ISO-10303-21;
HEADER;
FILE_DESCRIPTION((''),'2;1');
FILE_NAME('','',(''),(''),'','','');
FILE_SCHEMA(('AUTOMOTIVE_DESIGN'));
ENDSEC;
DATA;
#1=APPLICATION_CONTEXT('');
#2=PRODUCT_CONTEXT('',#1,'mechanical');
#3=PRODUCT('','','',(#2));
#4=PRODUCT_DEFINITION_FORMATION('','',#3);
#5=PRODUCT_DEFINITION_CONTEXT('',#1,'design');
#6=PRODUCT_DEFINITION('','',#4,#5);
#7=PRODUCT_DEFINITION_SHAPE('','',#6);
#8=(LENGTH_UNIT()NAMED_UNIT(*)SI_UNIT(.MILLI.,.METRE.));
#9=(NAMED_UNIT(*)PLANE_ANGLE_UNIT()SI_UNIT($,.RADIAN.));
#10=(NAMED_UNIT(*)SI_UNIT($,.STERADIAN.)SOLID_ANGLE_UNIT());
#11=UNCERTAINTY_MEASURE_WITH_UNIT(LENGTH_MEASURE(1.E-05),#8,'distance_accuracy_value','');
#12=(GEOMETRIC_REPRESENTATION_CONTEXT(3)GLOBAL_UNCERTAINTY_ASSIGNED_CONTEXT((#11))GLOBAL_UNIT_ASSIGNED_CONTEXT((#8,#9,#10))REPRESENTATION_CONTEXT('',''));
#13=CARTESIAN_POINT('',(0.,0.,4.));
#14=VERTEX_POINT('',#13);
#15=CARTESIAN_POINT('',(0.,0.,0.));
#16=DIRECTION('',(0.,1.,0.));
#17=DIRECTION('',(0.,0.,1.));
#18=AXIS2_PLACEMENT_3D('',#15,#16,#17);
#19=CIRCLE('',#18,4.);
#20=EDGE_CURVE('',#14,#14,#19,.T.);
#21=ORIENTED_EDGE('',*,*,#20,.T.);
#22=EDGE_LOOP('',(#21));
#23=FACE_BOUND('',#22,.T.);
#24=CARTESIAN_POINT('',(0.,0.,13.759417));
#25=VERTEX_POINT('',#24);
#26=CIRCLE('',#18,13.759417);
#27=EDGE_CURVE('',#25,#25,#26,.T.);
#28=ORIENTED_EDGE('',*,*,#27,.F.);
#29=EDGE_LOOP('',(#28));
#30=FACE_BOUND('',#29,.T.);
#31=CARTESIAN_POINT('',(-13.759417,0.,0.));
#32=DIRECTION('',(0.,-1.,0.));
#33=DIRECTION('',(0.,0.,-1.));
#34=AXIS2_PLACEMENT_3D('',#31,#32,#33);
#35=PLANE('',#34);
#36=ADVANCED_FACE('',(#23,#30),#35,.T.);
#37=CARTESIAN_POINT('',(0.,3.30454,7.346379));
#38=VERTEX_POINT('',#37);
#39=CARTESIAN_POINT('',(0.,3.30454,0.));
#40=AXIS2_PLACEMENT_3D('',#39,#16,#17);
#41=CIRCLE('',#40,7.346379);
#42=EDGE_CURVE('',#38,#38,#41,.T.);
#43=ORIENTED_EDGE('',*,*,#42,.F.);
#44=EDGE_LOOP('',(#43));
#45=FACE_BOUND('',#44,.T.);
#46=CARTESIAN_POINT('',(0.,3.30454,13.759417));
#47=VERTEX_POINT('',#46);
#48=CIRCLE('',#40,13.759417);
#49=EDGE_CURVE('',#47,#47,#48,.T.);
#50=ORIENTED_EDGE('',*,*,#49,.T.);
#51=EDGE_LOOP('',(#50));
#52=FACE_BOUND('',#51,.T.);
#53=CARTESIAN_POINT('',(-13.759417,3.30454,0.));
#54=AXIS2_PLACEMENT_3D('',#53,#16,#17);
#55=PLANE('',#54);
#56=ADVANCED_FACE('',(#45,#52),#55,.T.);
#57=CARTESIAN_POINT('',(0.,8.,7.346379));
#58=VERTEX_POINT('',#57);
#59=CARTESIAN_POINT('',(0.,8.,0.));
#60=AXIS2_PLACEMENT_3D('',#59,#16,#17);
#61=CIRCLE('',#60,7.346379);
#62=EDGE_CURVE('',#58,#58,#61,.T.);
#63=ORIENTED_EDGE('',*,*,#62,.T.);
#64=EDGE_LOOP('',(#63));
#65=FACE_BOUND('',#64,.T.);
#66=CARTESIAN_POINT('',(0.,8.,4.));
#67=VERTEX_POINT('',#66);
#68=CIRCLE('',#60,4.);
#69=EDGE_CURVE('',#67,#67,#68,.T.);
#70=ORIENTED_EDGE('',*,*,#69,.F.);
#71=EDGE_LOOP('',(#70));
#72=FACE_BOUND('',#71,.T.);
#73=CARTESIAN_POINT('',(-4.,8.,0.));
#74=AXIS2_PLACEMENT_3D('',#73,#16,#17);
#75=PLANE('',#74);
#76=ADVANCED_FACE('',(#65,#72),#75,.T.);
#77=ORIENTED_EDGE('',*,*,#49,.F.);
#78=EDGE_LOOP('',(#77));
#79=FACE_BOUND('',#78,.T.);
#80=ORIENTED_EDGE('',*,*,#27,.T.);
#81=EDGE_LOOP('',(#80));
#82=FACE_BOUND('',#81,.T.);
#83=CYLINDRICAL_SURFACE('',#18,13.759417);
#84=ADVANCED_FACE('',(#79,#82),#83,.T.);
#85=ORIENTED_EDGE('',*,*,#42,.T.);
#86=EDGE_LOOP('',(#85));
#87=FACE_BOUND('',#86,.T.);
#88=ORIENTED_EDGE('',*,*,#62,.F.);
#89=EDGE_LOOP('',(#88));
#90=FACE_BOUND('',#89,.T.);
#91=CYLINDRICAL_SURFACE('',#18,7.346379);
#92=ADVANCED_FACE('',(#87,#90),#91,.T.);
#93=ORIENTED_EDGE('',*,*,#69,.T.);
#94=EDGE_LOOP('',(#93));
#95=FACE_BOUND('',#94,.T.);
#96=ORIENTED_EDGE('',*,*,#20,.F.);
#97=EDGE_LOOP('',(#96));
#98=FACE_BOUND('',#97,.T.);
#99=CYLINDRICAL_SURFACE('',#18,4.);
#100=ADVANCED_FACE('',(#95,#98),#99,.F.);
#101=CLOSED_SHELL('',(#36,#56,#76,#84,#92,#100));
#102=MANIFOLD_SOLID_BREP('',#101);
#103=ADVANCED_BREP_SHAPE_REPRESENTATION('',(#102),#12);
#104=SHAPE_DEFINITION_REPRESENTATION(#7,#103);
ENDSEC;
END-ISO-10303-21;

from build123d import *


with BuildPart() as part:
    # Sketch1 → Revolve1 (revolve)
    with BuildSketch(Plane.XY):
        Polygon((-13.759416626, 0), (-4, 0), (-4, 8), (-7.346378674, 8), (-7.346378674, 3.304539552), (-13.759416626, 3.304539552), align=None)
    revolve(axis=Axis((0, 0, 0), (0, -1, 0)))


solid = part.part
